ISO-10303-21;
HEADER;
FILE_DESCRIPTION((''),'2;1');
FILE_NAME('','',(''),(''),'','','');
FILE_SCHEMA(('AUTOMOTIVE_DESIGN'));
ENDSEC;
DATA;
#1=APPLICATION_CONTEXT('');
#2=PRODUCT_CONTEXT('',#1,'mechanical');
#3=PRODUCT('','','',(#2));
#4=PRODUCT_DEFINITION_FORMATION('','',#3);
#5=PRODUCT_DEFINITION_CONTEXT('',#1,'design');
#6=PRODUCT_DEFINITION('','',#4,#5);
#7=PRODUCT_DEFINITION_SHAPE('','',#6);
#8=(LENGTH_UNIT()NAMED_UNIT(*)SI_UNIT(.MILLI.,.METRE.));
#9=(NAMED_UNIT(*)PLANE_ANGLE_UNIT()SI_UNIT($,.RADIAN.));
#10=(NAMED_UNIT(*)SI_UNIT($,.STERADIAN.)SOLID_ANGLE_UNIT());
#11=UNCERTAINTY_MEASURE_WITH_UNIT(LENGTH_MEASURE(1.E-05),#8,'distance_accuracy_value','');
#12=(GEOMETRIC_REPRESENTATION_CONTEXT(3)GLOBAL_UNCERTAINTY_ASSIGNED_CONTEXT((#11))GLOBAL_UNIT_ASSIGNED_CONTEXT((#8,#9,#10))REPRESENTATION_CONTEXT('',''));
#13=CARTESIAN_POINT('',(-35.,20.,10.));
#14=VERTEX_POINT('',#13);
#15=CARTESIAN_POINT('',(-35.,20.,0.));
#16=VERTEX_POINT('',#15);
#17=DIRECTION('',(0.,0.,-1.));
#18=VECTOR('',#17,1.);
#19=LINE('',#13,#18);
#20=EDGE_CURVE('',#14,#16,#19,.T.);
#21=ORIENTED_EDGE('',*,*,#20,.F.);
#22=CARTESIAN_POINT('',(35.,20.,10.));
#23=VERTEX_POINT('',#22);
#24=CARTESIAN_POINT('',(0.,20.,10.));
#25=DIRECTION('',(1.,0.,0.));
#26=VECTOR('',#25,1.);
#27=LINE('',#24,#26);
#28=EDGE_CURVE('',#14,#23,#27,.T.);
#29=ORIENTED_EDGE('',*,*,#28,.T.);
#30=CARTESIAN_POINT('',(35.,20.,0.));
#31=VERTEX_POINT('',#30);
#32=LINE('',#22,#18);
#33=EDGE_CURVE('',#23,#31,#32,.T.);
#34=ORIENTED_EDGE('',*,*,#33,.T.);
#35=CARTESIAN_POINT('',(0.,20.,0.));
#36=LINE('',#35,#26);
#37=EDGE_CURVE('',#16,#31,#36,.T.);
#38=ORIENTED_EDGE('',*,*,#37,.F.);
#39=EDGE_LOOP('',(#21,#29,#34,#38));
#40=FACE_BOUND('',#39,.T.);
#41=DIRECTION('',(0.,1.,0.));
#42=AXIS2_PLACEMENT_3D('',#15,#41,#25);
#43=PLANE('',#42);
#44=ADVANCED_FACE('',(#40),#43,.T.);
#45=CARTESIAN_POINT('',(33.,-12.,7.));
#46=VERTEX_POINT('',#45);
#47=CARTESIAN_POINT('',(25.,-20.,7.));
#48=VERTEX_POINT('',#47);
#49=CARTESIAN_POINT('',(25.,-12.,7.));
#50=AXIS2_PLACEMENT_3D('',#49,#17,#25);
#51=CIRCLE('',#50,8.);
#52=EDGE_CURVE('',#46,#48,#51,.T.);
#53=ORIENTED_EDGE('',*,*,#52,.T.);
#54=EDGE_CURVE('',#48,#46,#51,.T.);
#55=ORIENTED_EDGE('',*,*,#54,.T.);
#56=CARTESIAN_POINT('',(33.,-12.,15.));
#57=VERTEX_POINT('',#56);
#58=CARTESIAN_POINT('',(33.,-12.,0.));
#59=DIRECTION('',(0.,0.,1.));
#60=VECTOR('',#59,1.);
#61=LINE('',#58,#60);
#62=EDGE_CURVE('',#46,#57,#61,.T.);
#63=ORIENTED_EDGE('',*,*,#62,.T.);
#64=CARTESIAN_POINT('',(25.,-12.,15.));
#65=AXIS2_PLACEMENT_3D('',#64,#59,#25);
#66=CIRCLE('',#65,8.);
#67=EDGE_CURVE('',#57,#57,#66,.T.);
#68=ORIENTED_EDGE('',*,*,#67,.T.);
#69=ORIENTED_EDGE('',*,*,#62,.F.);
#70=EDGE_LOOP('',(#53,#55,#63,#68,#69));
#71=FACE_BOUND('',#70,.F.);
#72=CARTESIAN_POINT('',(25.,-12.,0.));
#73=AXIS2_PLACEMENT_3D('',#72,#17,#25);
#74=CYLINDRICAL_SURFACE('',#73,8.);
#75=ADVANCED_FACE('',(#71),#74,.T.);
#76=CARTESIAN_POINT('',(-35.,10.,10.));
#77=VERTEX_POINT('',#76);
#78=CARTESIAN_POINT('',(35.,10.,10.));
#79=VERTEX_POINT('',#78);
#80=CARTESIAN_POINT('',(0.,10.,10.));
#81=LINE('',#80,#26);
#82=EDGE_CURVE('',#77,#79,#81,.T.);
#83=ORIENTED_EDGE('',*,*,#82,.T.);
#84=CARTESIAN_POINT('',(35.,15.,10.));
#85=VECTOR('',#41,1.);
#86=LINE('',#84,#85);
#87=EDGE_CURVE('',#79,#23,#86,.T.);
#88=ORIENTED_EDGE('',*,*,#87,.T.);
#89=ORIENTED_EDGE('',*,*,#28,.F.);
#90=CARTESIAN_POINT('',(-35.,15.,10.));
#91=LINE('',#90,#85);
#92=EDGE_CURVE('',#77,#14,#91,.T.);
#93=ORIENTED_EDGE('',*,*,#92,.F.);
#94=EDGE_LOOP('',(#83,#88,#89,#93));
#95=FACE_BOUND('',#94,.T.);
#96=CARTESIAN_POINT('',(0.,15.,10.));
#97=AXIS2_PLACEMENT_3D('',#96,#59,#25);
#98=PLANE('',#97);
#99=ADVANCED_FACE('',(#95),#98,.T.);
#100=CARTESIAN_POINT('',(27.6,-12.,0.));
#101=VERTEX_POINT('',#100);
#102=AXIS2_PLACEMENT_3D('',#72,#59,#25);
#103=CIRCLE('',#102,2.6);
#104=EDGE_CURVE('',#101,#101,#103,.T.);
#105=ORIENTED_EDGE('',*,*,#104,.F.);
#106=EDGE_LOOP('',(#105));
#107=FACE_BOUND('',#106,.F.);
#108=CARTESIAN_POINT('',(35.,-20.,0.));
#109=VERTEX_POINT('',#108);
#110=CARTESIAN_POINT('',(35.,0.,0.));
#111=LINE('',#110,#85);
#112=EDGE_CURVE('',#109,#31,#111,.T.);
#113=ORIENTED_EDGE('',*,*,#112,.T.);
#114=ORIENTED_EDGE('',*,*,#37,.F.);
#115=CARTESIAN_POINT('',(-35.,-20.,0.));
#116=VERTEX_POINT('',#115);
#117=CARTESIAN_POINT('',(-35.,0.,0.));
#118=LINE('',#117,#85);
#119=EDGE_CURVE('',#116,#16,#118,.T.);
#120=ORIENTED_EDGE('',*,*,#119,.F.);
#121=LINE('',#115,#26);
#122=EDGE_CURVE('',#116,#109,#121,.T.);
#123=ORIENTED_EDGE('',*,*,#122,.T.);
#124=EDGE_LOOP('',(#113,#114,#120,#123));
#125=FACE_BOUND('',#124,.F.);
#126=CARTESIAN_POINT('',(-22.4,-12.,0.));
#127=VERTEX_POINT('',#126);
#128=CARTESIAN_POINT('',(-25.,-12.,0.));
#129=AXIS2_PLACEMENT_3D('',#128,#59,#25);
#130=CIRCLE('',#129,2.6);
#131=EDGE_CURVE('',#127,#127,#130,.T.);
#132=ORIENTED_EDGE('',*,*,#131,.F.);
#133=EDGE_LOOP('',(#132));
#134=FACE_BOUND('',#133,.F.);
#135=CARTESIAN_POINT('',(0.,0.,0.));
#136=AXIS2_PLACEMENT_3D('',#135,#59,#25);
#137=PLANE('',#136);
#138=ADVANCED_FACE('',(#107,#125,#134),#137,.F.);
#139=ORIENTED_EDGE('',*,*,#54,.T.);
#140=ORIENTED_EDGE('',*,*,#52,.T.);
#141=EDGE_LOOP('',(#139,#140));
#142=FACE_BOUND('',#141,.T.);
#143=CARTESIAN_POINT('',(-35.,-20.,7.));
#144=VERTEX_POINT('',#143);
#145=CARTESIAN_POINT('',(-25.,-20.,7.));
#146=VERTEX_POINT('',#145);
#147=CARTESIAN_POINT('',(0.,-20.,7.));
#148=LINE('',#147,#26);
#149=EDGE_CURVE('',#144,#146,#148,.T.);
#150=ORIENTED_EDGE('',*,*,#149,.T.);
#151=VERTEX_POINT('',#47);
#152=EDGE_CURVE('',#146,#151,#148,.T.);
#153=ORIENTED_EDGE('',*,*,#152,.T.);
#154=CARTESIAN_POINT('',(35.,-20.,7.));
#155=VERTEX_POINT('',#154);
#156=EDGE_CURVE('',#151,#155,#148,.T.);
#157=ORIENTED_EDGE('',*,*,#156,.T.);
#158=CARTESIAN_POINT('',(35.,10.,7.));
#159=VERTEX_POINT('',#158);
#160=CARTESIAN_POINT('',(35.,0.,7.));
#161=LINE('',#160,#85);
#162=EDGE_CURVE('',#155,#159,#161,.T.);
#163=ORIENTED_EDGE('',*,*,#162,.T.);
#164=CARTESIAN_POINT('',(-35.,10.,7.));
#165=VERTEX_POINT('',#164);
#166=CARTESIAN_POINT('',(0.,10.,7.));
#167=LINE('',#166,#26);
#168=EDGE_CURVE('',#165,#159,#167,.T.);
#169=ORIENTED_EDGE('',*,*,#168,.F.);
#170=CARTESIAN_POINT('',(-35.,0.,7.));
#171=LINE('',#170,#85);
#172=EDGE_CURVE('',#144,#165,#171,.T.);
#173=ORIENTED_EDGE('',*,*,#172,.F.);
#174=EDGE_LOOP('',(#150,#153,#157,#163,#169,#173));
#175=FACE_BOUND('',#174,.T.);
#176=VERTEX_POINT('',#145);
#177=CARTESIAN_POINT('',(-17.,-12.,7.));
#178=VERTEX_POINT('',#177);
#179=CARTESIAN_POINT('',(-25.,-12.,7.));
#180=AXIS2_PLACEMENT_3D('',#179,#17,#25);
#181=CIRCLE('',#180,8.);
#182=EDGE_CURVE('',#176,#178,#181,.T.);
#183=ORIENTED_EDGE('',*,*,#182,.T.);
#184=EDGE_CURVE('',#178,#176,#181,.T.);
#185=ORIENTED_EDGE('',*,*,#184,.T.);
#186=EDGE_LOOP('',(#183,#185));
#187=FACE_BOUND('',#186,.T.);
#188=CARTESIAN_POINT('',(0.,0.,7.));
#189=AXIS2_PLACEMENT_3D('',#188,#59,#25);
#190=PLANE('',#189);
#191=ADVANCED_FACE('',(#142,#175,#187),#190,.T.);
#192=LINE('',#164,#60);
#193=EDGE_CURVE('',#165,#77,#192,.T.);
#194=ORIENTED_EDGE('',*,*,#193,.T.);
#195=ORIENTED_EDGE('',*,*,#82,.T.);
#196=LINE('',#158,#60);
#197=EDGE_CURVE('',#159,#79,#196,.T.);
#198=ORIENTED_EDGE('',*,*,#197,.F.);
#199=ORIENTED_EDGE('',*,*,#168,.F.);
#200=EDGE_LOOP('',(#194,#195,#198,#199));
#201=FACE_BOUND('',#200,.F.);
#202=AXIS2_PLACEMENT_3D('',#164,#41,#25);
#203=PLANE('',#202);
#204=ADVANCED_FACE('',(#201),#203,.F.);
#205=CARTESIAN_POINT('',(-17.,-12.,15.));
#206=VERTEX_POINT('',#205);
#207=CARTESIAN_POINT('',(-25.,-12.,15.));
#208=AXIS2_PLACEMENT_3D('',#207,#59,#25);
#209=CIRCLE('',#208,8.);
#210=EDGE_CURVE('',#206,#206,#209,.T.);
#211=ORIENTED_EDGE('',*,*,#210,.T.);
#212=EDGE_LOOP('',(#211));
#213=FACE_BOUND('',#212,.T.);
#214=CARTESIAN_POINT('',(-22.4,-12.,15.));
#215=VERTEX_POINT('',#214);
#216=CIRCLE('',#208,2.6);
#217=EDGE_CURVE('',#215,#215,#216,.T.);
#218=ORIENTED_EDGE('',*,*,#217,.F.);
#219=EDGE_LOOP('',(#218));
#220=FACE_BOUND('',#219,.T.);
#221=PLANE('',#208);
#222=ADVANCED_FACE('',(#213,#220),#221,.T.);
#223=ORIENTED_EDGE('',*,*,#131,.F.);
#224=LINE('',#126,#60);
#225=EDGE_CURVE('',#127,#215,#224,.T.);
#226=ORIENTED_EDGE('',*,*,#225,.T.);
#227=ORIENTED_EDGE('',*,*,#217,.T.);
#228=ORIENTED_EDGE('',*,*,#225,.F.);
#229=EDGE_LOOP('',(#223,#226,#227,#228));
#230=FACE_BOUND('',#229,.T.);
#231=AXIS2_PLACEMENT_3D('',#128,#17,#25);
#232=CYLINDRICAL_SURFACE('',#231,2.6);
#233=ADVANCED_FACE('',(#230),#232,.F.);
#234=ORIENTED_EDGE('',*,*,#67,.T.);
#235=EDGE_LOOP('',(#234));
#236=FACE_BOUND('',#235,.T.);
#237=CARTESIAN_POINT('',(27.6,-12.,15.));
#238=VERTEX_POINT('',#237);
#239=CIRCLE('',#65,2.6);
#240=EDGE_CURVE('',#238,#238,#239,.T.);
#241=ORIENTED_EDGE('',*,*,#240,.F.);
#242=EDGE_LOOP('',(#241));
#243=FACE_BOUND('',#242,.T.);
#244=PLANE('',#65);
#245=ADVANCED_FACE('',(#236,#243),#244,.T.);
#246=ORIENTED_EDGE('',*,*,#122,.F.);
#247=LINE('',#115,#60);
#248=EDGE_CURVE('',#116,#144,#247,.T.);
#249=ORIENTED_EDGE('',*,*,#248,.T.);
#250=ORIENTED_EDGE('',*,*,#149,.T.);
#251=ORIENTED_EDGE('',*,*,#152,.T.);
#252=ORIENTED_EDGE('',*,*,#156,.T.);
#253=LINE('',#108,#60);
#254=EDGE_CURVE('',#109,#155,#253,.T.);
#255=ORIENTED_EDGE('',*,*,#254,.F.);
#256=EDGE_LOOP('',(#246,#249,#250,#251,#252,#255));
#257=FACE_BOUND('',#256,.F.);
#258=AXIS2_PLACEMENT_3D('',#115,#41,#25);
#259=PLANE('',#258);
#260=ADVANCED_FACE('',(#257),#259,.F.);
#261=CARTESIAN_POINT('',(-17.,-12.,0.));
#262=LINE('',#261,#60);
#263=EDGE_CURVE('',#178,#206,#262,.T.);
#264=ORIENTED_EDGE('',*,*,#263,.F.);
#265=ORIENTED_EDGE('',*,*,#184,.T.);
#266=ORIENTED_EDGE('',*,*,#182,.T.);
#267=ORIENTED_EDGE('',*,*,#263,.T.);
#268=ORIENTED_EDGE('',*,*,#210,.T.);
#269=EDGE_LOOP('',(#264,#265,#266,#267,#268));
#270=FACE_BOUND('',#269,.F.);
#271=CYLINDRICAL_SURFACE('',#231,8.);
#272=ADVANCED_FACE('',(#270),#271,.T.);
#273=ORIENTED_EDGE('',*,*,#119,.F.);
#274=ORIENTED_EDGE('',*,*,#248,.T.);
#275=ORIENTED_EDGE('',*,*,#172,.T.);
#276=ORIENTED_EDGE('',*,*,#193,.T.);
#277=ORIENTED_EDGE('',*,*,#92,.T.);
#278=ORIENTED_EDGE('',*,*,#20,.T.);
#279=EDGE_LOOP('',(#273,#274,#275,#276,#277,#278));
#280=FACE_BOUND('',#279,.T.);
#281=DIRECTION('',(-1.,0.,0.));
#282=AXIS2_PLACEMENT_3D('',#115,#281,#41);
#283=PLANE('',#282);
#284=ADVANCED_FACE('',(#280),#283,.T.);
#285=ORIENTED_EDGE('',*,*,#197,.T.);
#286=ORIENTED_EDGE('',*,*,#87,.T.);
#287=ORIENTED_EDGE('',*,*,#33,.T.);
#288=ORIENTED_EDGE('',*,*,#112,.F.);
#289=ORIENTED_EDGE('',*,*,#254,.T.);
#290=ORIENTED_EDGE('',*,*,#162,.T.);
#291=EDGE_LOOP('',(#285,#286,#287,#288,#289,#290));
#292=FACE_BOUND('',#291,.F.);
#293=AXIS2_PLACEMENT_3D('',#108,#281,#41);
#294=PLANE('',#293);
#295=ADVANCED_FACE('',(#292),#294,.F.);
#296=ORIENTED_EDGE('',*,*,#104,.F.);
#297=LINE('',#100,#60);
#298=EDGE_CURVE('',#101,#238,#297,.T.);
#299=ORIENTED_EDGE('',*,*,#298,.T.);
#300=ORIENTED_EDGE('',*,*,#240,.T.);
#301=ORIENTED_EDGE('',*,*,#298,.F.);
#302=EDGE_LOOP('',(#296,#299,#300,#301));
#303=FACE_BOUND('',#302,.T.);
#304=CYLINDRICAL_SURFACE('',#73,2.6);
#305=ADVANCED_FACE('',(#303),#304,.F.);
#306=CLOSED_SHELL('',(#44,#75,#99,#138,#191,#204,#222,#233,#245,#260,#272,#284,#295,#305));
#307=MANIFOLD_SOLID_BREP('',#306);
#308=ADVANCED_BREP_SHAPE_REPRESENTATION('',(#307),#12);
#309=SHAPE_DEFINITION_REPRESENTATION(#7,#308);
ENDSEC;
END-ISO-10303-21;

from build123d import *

# Parameters (mm, degrees)
SKETCH001_R      = 8
SKETCH001_R_2    = 2.6
EXTRUDE001_DEPTH = 15
SKETCH_W         = 70
SKETCH_H         = 40
SKETCH_R         = 6
EXTRUDE_DEPTH    = 7
SKETCH002_W      = 70
SKETCH002_H      = 10
EXTRUDE002_DEPTH = 3


with BuildPart() as extrude001:
    # Sketch001 → Extrude001 (new body)
    with BuildSketch(Plane.XY):
        with Locations((-25, -12)):
            Circle(SKETCH001_R)
        with Locations((-25, -12)):
            Circle(SKETCH001_R_2, mode=Mode.SUBTRACT)
        with Locations((25, -12)):
            Circle(SKETCH001_R)
        with Locations((25, -12)):
            Circle(SKETCH001_R_2, mode=Mode.SUBTRACT)
    extrude(amount=EXTRUDE001_DEPTH)


with BuildPart() as extrude_body:
    # Sketch → Extrude (new body)
    with BuildSketch(Plane.XY):
        Rectangle(SKETCH_W, SKETCH_H)
        with Locations((-25, -12)):
            Circle(SKETCH_R, mode=Mode.SUBTRACT)
        with Locations((25, -12)):
            Circle(SKETCH_R, mode=Mode.SUBTRACT)
    extrude(amount=EXTRUDE_DEPTH)


with BuildPart() as fusion:
    # Sketch002 → Extrude002 (new body)
    with BuildSketch(Plane.XY):
        with Locations((0, 15)):
            Rectangle(SKETCH002_W, SKETCH002_H)
    extrude(amount=EXTRUDE002_DEPTH)


with BuildPart() as fusion_1:
    # Extrude002 placement: moved
    add(fusion.part.moved(Location((0, 0, 7))))

    # Fusion: union Extrude001, Extrude body
    add(extrude001.part)
    add(extrude_body.part)


solid = fusion_1.part
